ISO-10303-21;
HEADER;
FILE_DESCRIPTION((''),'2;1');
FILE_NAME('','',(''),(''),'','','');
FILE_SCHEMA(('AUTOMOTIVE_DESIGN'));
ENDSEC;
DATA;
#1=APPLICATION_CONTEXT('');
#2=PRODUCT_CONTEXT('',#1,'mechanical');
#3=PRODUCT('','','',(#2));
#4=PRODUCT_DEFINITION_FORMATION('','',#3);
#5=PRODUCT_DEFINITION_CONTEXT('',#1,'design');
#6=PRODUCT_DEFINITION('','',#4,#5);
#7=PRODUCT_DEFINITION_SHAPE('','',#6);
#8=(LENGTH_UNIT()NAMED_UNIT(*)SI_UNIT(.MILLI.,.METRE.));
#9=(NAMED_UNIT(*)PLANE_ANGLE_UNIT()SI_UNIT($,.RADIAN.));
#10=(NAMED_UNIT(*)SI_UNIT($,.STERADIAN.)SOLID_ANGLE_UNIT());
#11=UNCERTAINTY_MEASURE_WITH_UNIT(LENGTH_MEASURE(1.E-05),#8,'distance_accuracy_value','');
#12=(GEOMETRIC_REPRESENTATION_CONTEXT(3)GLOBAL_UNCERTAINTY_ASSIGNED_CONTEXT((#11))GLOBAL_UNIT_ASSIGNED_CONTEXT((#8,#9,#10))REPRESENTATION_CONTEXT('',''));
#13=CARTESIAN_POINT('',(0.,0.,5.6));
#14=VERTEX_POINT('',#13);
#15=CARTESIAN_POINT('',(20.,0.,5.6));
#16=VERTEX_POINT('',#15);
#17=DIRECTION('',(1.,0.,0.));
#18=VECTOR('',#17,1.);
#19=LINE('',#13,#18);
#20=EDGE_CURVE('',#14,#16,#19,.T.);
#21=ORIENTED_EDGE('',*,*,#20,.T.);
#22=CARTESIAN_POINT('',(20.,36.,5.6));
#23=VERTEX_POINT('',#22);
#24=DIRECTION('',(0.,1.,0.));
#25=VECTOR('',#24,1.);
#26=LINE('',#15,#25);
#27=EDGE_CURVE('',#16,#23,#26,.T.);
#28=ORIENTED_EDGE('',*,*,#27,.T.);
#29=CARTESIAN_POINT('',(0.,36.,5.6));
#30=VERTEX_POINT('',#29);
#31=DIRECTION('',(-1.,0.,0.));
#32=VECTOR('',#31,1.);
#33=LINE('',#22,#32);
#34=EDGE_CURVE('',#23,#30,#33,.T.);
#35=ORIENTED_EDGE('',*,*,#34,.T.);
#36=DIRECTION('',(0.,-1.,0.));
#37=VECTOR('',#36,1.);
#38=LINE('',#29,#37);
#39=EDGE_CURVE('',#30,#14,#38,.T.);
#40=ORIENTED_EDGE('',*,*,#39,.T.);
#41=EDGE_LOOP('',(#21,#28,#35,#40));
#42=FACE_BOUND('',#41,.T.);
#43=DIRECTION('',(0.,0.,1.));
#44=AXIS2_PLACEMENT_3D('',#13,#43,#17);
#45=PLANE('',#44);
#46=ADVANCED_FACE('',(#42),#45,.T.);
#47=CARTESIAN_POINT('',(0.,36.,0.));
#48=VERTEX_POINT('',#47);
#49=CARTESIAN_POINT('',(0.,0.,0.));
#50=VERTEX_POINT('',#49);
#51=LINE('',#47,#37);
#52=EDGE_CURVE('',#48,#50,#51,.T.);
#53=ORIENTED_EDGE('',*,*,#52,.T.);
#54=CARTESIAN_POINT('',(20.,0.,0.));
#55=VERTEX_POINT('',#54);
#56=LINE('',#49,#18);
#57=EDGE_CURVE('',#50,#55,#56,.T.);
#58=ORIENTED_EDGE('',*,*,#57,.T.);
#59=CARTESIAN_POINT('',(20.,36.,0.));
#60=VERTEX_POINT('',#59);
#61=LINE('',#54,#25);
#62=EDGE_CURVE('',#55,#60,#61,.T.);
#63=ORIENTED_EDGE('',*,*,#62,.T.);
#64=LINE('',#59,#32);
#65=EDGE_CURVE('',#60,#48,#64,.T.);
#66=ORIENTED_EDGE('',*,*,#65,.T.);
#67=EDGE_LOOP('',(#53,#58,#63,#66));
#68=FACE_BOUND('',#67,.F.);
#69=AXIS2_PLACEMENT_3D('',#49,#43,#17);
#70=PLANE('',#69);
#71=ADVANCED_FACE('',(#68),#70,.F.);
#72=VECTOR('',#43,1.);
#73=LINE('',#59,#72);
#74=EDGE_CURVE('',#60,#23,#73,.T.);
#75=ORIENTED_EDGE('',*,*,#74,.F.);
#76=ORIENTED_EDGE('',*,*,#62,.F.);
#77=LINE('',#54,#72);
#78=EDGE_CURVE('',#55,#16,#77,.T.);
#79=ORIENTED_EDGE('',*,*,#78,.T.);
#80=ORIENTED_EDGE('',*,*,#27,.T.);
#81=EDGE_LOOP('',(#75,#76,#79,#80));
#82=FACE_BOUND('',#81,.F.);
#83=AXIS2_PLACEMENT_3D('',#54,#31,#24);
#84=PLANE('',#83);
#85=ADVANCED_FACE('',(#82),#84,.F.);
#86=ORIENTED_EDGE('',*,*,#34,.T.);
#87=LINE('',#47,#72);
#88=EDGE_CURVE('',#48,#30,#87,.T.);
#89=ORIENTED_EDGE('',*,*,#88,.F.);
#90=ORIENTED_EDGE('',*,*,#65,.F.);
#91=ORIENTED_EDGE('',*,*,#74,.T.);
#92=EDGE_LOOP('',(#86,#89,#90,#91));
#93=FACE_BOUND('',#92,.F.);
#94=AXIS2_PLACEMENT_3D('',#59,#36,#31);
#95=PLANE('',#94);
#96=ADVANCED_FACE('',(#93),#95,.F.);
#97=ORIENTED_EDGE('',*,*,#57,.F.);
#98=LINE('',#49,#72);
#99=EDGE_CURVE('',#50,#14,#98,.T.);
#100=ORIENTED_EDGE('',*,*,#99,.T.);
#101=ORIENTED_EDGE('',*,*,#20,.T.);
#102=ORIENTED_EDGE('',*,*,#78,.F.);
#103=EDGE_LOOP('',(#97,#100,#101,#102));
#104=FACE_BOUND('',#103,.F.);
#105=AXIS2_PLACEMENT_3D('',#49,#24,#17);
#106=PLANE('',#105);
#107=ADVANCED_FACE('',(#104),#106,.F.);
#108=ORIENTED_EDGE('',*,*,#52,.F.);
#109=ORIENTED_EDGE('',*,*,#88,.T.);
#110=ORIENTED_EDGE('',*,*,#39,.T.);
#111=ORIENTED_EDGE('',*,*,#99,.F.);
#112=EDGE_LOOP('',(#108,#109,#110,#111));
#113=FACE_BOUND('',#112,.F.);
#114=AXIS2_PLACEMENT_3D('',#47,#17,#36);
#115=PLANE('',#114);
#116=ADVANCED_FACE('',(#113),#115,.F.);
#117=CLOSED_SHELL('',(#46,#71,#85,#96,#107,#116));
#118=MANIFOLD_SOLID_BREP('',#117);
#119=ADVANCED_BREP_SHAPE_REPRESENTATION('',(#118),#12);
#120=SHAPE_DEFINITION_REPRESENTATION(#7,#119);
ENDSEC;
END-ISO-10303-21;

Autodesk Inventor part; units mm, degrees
ref_plane "YZ Plane" through (0, 0, 0) normal (1, 0, 0) x (0, 1, 0)
ref_plane "XZ Plane" through (0, 0, 0) normal (0, 1, 0) x (-1, 0, 0)
ref_plane "XY Plane" through (0, 0, 0) normal (0, 0, 1) x (1, 0, 0)
sketch "Sketch1" plane through (0, 0, 0) normal (0, 0, 1) x (1, 0, 0)
  line L0 (0, 0) -> (20, 0)
  line L1 (20, 0) -> (20, 36)
  line L2 (20, 36) -> (0, 36)
  line L3 (0, 36) -> (0, 0)
  dimension "d0" = 36
  dimension "d1" = 20
extrude "Extrusion1" add sketch "Sketch1" along normal blind 5.6
properties part number "battery_350mah" material "Gold"
